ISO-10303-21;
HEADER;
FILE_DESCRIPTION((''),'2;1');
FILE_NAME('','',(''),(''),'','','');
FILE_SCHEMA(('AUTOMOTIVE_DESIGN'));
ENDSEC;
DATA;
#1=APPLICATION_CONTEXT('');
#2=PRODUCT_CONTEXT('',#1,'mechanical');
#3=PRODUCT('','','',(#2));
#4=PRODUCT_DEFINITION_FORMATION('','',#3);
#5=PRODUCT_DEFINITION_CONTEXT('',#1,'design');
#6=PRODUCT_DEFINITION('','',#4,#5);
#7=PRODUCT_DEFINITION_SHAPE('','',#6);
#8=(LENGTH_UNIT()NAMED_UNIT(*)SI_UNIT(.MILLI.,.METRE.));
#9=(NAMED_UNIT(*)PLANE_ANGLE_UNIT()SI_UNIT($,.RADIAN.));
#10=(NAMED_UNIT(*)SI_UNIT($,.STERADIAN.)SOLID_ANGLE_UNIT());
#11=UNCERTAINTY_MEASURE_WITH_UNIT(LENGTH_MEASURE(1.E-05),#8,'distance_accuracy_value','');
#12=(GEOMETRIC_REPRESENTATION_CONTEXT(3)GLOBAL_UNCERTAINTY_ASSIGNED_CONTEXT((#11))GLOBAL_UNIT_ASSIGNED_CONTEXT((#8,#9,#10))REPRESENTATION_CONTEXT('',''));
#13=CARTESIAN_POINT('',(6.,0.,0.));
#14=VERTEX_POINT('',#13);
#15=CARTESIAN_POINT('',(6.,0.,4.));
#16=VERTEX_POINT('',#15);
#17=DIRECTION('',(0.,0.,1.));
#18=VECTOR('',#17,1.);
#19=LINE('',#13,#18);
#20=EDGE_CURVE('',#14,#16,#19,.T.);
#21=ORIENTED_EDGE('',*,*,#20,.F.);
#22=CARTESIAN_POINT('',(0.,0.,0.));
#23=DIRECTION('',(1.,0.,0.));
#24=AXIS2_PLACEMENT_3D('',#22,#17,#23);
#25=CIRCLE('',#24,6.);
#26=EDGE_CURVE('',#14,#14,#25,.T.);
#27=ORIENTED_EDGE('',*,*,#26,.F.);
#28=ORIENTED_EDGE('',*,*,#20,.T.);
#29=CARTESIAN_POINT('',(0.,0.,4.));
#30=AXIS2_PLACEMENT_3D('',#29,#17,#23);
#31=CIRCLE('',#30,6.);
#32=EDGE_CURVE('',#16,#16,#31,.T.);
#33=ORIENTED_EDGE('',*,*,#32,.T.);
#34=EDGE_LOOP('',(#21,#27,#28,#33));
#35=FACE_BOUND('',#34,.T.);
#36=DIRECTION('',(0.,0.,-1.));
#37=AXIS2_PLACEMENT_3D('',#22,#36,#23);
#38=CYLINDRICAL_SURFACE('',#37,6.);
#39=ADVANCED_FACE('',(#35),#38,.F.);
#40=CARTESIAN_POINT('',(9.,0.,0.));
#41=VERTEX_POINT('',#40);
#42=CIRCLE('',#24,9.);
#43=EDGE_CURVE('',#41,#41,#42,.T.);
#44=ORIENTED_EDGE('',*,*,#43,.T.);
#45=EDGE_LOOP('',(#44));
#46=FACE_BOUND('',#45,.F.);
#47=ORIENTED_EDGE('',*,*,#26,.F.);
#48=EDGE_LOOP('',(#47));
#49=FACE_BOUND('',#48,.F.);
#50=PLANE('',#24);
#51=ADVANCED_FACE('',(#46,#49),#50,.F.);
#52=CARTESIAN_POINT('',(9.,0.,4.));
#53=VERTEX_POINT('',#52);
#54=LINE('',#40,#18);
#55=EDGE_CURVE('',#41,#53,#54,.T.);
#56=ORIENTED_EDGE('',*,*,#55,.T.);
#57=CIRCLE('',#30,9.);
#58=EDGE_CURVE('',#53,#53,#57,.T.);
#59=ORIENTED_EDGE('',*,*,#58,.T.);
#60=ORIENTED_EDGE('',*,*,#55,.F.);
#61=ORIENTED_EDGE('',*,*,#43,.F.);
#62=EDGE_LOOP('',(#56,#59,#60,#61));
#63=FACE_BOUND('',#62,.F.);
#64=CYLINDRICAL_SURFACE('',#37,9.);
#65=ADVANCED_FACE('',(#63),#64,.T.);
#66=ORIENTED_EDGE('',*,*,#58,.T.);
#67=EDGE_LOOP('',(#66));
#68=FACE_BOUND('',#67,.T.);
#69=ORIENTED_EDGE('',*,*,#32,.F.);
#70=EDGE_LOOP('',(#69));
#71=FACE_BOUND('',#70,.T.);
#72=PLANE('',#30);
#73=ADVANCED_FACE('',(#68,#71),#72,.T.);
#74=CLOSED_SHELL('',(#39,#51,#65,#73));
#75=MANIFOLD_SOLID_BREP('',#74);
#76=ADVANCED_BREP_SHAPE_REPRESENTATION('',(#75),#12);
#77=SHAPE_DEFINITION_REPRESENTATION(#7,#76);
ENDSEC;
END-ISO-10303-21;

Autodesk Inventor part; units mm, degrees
ref_plane "YZ Plane" through (0, 0, 0) normal (1, 0, 0) x (0, 1, 0)
ref_plane "XZ Plane" through (0, 0, 0) normal (0, 1, 0) x (-1, 0, 0)
ref_plane "XY Plane" through (0, 0, 0) normal (0, 0, 1) x (1, 0, 0)
sketch "Sketch1" plane through (0, 0, 0) normal (0, 0, 1) x (1, 0, 0)
  circle A0 centre (0, 0) radius 9
  circle A1 centre (0, 0) radius 6
  dimension "d0" = 18
  dimension "d1" = 12
extrude "Extrusion1" add sketch "Sketch1" along normal blind 4
properties part number "bearing_18x12x4"
